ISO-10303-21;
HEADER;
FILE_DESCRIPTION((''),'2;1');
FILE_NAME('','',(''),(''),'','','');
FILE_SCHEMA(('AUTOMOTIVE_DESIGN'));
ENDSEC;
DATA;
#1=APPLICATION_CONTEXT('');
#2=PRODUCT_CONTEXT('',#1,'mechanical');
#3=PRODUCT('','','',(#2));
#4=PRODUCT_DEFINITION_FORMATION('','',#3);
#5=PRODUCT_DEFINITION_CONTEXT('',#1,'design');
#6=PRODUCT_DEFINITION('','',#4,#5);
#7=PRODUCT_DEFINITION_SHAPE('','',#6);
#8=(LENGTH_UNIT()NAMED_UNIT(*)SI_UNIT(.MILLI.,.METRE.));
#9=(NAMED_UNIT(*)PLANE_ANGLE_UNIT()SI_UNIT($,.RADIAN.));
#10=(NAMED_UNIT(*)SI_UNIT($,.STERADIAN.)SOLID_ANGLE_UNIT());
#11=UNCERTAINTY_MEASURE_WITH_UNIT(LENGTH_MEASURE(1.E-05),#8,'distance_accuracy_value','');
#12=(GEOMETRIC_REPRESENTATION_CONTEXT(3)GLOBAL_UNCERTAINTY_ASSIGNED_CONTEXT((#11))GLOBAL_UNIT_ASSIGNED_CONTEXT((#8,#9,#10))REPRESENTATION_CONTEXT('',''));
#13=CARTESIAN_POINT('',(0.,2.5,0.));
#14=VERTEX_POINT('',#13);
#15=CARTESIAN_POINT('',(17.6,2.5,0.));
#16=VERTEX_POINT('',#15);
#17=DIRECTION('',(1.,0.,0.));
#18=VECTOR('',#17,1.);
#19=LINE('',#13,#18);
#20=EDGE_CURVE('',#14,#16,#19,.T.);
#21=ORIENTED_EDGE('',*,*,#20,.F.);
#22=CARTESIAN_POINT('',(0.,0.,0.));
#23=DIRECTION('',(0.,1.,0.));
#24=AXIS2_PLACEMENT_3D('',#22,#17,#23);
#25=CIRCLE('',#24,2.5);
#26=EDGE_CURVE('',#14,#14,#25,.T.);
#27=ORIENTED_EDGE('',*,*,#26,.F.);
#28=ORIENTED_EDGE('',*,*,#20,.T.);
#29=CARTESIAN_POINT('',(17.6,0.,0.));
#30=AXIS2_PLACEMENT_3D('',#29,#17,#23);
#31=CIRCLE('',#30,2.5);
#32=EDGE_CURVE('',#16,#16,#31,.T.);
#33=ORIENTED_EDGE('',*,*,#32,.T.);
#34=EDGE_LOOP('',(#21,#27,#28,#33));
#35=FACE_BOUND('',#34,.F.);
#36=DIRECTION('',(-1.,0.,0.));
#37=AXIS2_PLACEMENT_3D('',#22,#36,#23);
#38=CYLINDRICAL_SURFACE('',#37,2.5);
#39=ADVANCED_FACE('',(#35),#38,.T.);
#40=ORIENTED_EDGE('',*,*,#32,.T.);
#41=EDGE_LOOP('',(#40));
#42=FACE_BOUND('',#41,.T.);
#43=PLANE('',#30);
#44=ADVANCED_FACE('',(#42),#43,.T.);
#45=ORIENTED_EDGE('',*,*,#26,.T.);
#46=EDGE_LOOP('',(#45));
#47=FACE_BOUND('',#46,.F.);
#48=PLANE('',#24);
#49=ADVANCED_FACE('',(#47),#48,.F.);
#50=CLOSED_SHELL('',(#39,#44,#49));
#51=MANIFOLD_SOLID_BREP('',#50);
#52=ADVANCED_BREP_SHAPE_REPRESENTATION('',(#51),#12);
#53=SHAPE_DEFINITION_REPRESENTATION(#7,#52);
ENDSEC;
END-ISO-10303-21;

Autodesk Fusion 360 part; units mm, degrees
sketch "Sketch1" plane through (0, 0, 0) normal (1, 0, 0) x (0, 1, 0)
  circle A0 centre (0, 0) radius 2.5
  dimension "d1" = 5
extrude "Extrude1" add sketch "Sketch1" along normal blind 17.6
